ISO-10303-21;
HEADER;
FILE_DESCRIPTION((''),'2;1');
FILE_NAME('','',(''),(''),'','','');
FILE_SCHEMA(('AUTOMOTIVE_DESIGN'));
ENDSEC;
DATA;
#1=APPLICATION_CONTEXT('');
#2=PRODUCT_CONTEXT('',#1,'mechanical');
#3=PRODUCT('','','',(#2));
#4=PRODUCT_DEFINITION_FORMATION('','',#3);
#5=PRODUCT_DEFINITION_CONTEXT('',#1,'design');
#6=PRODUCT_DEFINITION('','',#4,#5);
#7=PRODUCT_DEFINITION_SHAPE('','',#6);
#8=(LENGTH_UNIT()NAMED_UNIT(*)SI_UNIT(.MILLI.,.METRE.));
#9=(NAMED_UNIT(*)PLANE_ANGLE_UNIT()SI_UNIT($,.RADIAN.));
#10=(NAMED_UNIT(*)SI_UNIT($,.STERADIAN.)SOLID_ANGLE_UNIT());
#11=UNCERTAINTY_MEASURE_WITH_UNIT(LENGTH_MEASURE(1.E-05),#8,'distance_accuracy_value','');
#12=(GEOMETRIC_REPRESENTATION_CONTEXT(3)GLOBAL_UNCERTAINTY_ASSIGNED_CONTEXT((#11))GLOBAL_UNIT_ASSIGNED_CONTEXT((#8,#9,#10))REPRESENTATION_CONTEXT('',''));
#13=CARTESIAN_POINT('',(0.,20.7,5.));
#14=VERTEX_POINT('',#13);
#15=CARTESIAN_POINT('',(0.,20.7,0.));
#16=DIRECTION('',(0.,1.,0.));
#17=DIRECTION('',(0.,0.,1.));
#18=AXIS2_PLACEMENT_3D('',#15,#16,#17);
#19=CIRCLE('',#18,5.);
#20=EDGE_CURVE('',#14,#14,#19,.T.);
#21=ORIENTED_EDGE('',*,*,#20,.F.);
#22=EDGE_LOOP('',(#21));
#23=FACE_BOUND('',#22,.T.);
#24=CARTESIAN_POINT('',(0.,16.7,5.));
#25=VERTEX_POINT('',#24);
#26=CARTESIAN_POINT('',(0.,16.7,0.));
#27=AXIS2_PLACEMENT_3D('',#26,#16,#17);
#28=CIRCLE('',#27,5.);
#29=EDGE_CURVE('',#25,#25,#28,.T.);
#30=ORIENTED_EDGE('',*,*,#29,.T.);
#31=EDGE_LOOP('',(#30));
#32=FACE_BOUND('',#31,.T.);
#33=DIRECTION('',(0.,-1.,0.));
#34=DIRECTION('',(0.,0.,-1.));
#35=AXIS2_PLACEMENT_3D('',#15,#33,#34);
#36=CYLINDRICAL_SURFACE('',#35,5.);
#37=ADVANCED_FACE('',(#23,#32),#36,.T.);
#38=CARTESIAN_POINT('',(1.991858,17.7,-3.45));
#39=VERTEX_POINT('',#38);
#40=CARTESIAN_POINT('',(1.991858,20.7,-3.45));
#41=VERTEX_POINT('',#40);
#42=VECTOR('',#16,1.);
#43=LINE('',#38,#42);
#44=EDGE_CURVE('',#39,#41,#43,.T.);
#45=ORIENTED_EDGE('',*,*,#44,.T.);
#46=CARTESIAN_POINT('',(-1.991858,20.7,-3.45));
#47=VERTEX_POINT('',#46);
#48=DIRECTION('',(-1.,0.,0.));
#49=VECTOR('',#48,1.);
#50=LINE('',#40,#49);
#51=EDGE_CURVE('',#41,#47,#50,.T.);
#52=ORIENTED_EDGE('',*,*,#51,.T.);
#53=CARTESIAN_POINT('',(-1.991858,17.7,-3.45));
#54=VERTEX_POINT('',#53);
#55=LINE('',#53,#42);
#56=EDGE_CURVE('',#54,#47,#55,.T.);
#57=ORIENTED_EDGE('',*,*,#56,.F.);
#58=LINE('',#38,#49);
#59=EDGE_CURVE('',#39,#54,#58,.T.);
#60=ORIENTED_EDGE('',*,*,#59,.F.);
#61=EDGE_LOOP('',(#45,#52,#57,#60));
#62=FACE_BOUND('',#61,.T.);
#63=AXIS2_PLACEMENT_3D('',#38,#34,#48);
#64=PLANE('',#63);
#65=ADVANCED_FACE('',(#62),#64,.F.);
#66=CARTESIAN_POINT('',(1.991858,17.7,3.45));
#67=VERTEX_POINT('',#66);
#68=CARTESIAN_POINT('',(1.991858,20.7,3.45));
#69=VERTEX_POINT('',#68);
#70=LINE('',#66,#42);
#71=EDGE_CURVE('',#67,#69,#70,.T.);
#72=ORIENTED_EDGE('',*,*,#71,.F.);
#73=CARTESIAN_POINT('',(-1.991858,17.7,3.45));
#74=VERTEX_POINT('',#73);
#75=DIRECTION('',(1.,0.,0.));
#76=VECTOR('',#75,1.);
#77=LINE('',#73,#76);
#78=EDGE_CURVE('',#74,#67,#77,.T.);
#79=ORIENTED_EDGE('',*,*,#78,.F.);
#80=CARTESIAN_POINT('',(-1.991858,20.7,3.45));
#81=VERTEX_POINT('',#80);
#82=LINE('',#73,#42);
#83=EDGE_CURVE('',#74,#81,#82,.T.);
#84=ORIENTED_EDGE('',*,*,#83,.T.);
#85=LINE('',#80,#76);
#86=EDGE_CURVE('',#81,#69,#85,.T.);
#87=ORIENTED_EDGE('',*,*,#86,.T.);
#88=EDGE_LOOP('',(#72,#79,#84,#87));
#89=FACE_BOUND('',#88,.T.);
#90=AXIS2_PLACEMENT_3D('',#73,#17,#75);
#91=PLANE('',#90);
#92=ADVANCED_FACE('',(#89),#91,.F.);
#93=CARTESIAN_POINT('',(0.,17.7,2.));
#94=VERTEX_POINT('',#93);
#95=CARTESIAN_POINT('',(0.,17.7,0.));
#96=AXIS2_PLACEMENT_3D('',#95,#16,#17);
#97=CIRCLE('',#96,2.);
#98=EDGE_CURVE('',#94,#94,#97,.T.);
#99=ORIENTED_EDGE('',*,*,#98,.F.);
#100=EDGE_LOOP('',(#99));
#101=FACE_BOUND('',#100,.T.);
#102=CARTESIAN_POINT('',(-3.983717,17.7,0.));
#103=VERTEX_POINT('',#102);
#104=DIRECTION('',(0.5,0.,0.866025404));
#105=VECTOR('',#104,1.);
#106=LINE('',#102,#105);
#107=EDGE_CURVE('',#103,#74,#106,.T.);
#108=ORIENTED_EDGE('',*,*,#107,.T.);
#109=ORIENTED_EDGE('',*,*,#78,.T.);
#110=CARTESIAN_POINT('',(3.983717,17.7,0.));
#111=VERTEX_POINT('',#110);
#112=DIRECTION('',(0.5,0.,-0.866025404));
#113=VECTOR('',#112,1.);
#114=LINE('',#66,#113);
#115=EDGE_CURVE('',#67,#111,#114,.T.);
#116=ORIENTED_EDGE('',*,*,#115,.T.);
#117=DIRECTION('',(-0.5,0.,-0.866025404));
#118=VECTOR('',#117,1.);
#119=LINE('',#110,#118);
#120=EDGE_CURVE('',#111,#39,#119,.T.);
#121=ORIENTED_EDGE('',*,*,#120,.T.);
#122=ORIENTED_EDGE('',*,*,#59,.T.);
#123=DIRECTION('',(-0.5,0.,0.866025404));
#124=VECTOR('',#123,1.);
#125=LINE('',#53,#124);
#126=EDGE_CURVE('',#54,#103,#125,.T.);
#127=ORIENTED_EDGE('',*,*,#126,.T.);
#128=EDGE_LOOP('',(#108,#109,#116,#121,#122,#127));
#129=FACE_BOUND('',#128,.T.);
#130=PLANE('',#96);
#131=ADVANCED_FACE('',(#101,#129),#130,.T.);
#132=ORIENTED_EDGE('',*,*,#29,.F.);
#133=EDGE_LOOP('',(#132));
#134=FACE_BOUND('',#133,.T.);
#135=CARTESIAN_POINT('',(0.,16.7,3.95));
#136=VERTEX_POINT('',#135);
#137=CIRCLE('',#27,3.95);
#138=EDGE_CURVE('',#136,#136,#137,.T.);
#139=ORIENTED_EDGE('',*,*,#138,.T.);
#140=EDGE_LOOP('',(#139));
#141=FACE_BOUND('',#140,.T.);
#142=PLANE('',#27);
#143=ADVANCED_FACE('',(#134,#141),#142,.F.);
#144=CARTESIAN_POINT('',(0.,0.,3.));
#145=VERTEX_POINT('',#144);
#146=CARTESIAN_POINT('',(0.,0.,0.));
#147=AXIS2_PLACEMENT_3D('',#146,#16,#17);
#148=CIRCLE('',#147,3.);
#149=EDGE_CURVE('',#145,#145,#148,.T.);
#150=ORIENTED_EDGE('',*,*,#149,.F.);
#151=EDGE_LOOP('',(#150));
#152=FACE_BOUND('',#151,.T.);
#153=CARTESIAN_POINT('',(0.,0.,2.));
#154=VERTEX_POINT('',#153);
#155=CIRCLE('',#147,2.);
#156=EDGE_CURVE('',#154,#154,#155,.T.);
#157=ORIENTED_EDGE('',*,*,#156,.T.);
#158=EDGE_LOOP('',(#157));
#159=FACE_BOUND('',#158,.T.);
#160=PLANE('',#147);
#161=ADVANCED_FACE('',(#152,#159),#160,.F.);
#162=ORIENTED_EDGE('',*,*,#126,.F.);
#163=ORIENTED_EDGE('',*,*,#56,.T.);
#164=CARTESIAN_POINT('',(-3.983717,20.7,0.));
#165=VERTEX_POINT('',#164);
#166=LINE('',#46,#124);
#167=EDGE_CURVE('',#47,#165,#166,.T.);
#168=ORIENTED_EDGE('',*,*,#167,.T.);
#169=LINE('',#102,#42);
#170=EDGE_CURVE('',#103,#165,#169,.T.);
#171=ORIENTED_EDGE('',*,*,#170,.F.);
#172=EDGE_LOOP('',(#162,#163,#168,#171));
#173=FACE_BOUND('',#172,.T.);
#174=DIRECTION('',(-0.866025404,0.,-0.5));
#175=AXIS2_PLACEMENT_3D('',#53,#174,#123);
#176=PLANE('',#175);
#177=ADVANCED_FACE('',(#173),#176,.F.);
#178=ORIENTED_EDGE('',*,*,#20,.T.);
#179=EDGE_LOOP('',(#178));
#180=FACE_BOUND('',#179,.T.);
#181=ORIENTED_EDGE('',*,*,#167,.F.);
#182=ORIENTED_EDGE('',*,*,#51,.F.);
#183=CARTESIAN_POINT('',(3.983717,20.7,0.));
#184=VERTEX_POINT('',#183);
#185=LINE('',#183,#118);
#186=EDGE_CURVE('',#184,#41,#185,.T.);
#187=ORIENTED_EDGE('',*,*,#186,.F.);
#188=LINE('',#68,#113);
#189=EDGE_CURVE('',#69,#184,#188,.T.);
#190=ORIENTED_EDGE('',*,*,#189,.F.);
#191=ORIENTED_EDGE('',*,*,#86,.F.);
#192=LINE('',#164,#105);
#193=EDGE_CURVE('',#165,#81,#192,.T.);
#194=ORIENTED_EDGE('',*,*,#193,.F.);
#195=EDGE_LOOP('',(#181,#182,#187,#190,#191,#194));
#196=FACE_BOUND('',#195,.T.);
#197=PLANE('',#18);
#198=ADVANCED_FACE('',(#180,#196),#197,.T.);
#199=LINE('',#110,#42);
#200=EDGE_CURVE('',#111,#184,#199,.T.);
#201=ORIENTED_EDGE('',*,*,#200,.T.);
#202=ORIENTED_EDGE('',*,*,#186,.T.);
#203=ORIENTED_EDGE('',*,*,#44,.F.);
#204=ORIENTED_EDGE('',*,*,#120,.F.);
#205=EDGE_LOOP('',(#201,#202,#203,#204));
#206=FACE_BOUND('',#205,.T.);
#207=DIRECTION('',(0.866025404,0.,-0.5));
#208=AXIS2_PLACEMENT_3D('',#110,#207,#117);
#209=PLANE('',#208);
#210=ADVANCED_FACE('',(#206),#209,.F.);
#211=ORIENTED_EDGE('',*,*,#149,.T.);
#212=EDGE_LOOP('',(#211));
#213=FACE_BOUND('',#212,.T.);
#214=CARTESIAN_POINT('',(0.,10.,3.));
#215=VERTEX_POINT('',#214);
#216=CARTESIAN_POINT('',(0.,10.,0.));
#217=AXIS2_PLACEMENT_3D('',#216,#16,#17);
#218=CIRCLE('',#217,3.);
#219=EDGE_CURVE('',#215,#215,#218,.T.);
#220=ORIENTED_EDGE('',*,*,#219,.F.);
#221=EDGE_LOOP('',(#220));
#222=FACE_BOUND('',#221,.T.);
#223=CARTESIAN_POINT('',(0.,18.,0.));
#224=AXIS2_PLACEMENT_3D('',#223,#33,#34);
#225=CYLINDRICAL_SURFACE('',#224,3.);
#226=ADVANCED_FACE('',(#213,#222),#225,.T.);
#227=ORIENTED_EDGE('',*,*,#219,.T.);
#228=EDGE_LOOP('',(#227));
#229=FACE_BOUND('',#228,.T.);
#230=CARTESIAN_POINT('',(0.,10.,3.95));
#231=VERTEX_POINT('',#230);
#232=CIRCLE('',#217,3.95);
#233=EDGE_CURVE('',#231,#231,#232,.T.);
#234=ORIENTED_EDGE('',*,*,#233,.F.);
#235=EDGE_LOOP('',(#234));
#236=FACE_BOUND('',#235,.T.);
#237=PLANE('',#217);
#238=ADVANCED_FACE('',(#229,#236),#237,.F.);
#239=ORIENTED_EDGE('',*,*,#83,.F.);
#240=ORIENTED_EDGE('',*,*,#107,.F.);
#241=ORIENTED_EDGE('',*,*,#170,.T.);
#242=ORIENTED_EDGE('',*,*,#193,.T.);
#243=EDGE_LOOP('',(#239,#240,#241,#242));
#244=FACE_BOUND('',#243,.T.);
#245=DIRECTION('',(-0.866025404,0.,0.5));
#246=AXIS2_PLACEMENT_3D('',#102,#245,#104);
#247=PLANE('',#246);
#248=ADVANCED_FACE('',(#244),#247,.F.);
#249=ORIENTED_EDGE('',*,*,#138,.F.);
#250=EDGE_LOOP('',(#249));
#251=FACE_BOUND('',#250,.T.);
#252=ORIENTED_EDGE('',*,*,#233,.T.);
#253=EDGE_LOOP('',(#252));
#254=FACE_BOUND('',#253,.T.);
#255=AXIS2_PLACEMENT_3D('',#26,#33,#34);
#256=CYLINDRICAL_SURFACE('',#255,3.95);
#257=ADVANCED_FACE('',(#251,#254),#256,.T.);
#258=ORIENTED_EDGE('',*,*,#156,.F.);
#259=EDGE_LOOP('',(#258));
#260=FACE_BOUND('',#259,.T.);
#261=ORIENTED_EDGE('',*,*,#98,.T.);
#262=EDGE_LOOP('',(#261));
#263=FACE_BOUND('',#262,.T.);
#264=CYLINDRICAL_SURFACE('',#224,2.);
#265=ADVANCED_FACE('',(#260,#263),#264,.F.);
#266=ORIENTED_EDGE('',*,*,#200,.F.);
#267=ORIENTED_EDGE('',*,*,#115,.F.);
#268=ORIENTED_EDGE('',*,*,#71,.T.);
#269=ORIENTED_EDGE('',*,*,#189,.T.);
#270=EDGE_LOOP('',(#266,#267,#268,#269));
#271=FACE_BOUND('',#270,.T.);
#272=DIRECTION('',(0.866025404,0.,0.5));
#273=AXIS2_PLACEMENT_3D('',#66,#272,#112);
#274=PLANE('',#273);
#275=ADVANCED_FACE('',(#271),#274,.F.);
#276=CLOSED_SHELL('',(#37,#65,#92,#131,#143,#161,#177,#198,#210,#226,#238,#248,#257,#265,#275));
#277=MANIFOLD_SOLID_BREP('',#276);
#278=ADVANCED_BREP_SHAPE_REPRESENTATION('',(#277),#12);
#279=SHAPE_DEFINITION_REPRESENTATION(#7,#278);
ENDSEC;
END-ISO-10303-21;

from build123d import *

# Parameters (mm, degrees)
SKETCH1_R           = 3
SKETCH1_R_2         = 2
BOSS_EXTRUDE1_DEPTH = 18
BOSS_EXTRUDE3_START = -8
SKETCH2_R           = 3.95
SKETCH2_R_2         = 2
BOSS_EXTRUDE3_DEPTH = 6.7
SKETCH4_R           = 5
SKETCH4_R_2         = 2
BOSS_EXTRUDE4_DEPTH = 4
CUT_EXTRUDE1_DEPTH  = 3


with BuildPart() as part:
    # Sketch1 → Boss-Extrude1 (new body)
    with BuildSketch(Plane(origin=(0, 0, 0), x_dir=(1, 0, 0), z_dir=(0, 1, 0))):
        with Locations(Location((0, 0, 0), (0, 0, 270))):
            Circle(SKETCH1_R)
        with Locations(Location((0, 0, 0), (0, 0, 270))):
            Circle(SKETCH1_R_2, mode=Mode.SUBTRACT)
    extrude(amount=BOSS_EXTRUDE1_DEPTH)

    # Sketch2 → Boss-Extrude3 (add)
    with BuildSketch(Plane(origin=(0, 18, 0), x_dir=(1, 0, 0), z_dir=(0, 1, 0)).offset(BOSS_EXTRUDE3_START)):
        with Locations(Location((0, 0, 0), (0, 0, 270))):
            Circle(SKETCH2_R)
        with Locations(Location((0, 0, 0), (0, 0, 270))):
            Circle(SKETCH2_R_2, mode=Mode.SUBTRACT)
    extrude(amount=BOSS_EXTRUDE3_DEPTH)

    # Sketch4 → Boss-Extrude4 (add)
    with BuildSketch(Plane(origin=(0, 16.7, 0), x_dir=(1, 0, 0), z_dir=(0, 1, 0))):
        with Locations(Location((0, 0, 0), (0, 0, 270))):
            Circle(SKETCH4_R)
        with Locations(Location((0, 0, 0), (0, 0, 270))):
            Circle(SKETCH4_R_2, mode=Mode.SUBTRACT)
    extrude(amount=BOSS_EXTRUDE4_DEPTH)

    # Sketch5 → Cut-Extrude1 (cut)
    with BuildSketch(Plane(origin=(0, 20.7, 0), x_dir=(1, 0, 0), z_dir=(0, 1, 0))):
        Polygon((3.983716857, 0), (1.991858429, 3.45), (-1.991858429, 3.45), (-3.983716857, 0), (-1.991858429, -3.45), (1.991858429, -3.45), align=None)
    extrude(amount=-CUT_EXTRUDE1_DEPTH, mode=Mode.SUBTRACT)


solid = part.part
